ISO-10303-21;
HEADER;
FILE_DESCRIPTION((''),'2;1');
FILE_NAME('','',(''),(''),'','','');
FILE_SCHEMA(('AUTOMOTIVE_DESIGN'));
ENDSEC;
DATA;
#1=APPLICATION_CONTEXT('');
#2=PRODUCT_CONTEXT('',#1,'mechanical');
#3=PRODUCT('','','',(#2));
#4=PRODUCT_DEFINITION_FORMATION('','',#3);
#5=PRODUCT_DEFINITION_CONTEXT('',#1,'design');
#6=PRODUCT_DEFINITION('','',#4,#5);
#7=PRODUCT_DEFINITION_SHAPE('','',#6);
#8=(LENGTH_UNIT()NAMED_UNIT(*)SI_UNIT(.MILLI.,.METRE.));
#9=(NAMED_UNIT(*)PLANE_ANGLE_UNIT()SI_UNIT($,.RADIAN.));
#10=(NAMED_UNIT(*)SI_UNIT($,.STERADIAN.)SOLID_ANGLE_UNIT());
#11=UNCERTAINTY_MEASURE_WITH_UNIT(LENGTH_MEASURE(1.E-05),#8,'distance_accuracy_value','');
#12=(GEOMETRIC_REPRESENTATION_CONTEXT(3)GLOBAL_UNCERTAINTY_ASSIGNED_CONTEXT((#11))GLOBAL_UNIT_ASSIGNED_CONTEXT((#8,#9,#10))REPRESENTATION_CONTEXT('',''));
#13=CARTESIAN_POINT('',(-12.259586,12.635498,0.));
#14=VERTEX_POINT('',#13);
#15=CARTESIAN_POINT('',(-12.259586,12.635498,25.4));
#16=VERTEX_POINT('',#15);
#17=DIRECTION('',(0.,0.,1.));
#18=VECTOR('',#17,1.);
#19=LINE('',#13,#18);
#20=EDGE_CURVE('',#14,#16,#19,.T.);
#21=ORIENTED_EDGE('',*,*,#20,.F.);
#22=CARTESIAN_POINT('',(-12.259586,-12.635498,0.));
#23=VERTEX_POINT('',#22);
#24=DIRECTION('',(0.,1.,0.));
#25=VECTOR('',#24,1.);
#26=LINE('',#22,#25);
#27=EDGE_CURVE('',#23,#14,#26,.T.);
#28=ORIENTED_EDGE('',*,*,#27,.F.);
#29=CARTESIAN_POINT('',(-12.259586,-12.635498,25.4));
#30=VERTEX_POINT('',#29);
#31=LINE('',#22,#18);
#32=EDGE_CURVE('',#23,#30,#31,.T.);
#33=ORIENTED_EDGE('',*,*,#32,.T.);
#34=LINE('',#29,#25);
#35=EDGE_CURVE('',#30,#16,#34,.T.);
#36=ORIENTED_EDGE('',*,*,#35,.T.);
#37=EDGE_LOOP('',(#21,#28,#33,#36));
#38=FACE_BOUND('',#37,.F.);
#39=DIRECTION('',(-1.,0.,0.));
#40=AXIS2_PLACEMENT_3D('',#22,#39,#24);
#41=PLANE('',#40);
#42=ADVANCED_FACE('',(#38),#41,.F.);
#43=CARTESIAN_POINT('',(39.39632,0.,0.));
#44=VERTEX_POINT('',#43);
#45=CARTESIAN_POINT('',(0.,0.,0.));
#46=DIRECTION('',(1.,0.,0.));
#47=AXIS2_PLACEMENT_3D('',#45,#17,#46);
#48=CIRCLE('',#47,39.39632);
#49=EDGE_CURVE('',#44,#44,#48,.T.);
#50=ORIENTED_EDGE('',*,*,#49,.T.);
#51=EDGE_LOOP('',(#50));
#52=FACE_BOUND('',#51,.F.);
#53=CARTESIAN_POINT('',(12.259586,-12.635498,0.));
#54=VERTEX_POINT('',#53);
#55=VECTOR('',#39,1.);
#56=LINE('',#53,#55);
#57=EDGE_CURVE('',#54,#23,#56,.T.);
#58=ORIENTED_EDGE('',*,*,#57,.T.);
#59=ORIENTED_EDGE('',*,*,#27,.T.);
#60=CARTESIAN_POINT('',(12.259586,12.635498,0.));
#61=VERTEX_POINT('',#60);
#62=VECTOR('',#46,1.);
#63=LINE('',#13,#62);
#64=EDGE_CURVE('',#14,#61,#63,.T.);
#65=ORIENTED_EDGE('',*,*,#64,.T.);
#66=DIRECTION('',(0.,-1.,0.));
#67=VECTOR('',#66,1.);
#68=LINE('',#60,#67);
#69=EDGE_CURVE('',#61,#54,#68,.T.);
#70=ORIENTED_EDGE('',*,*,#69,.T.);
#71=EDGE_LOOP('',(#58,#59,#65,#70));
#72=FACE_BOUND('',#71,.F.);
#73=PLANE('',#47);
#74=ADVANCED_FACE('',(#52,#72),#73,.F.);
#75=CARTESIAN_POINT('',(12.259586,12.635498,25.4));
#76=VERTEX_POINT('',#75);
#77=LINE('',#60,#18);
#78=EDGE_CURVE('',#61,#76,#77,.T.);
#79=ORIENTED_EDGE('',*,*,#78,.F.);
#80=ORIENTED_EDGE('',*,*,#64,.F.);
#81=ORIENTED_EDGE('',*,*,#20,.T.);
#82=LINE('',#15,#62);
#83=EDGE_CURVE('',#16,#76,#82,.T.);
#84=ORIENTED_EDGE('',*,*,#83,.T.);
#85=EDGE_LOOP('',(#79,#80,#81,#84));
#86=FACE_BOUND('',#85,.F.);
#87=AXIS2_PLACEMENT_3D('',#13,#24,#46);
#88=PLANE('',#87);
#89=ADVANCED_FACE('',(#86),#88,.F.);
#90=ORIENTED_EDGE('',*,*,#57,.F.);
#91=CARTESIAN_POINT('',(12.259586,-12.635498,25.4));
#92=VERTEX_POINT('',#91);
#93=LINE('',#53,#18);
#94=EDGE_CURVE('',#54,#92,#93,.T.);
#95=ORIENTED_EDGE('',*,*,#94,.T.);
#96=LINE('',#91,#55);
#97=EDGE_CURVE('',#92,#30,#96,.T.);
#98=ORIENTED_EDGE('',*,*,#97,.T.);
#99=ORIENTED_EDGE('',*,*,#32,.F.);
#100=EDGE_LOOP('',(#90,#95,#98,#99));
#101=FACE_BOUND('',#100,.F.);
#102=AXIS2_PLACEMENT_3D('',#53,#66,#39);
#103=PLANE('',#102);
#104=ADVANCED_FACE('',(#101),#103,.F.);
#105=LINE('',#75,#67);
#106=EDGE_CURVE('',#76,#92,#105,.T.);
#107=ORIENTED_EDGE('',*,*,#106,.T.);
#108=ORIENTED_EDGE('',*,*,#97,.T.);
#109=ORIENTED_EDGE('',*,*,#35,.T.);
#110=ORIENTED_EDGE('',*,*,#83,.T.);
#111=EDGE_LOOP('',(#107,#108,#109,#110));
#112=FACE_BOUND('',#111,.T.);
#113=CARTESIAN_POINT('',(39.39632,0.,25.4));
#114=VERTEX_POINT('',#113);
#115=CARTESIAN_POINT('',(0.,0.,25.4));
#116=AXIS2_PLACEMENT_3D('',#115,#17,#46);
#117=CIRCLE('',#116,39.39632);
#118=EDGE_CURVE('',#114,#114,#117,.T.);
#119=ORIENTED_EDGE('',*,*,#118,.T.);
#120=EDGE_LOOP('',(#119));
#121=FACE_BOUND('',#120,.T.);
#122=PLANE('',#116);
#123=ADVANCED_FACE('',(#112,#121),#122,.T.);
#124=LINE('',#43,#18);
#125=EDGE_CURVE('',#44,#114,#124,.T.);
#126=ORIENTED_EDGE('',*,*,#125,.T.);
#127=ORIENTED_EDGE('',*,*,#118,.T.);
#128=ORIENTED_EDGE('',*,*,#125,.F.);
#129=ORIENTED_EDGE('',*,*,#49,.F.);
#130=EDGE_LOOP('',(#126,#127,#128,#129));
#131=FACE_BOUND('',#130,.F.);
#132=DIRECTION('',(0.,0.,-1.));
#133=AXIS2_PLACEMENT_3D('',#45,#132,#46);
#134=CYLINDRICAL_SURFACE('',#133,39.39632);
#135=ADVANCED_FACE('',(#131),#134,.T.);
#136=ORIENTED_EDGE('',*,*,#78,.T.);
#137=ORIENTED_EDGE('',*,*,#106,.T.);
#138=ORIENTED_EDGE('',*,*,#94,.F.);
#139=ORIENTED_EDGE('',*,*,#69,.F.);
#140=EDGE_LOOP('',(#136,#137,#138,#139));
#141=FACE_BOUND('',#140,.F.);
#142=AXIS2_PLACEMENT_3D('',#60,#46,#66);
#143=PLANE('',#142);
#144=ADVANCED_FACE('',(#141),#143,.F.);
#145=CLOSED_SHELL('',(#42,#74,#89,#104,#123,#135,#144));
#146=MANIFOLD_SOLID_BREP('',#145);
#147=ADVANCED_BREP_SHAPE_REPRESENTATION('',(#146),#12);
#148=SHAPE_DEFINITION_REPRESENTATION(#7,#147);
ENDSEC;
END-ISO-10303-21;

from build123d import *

# Parameters (mm, degrees)
F0_R     = 39.39632
F1_DEPTH = 25.4


with BuildPart() as f1:
    # F0 (on Top) → F1 (new body)
    with BuildSketch(Plane.XY):
        Circle(F0_R)
        Polygon((-12.259586, -12.635498), (-12.259586, 0), (-12.259586, 12.635498), (0, 12.635498), (12.259586, 12.635498), (12.259586, 0), (12.259586, -12.635498), (0, -12.635498), align=None, mode=Mode.SUBTRACT)
    extrude(amount=F1_DEPTH)


solid = f1.part
